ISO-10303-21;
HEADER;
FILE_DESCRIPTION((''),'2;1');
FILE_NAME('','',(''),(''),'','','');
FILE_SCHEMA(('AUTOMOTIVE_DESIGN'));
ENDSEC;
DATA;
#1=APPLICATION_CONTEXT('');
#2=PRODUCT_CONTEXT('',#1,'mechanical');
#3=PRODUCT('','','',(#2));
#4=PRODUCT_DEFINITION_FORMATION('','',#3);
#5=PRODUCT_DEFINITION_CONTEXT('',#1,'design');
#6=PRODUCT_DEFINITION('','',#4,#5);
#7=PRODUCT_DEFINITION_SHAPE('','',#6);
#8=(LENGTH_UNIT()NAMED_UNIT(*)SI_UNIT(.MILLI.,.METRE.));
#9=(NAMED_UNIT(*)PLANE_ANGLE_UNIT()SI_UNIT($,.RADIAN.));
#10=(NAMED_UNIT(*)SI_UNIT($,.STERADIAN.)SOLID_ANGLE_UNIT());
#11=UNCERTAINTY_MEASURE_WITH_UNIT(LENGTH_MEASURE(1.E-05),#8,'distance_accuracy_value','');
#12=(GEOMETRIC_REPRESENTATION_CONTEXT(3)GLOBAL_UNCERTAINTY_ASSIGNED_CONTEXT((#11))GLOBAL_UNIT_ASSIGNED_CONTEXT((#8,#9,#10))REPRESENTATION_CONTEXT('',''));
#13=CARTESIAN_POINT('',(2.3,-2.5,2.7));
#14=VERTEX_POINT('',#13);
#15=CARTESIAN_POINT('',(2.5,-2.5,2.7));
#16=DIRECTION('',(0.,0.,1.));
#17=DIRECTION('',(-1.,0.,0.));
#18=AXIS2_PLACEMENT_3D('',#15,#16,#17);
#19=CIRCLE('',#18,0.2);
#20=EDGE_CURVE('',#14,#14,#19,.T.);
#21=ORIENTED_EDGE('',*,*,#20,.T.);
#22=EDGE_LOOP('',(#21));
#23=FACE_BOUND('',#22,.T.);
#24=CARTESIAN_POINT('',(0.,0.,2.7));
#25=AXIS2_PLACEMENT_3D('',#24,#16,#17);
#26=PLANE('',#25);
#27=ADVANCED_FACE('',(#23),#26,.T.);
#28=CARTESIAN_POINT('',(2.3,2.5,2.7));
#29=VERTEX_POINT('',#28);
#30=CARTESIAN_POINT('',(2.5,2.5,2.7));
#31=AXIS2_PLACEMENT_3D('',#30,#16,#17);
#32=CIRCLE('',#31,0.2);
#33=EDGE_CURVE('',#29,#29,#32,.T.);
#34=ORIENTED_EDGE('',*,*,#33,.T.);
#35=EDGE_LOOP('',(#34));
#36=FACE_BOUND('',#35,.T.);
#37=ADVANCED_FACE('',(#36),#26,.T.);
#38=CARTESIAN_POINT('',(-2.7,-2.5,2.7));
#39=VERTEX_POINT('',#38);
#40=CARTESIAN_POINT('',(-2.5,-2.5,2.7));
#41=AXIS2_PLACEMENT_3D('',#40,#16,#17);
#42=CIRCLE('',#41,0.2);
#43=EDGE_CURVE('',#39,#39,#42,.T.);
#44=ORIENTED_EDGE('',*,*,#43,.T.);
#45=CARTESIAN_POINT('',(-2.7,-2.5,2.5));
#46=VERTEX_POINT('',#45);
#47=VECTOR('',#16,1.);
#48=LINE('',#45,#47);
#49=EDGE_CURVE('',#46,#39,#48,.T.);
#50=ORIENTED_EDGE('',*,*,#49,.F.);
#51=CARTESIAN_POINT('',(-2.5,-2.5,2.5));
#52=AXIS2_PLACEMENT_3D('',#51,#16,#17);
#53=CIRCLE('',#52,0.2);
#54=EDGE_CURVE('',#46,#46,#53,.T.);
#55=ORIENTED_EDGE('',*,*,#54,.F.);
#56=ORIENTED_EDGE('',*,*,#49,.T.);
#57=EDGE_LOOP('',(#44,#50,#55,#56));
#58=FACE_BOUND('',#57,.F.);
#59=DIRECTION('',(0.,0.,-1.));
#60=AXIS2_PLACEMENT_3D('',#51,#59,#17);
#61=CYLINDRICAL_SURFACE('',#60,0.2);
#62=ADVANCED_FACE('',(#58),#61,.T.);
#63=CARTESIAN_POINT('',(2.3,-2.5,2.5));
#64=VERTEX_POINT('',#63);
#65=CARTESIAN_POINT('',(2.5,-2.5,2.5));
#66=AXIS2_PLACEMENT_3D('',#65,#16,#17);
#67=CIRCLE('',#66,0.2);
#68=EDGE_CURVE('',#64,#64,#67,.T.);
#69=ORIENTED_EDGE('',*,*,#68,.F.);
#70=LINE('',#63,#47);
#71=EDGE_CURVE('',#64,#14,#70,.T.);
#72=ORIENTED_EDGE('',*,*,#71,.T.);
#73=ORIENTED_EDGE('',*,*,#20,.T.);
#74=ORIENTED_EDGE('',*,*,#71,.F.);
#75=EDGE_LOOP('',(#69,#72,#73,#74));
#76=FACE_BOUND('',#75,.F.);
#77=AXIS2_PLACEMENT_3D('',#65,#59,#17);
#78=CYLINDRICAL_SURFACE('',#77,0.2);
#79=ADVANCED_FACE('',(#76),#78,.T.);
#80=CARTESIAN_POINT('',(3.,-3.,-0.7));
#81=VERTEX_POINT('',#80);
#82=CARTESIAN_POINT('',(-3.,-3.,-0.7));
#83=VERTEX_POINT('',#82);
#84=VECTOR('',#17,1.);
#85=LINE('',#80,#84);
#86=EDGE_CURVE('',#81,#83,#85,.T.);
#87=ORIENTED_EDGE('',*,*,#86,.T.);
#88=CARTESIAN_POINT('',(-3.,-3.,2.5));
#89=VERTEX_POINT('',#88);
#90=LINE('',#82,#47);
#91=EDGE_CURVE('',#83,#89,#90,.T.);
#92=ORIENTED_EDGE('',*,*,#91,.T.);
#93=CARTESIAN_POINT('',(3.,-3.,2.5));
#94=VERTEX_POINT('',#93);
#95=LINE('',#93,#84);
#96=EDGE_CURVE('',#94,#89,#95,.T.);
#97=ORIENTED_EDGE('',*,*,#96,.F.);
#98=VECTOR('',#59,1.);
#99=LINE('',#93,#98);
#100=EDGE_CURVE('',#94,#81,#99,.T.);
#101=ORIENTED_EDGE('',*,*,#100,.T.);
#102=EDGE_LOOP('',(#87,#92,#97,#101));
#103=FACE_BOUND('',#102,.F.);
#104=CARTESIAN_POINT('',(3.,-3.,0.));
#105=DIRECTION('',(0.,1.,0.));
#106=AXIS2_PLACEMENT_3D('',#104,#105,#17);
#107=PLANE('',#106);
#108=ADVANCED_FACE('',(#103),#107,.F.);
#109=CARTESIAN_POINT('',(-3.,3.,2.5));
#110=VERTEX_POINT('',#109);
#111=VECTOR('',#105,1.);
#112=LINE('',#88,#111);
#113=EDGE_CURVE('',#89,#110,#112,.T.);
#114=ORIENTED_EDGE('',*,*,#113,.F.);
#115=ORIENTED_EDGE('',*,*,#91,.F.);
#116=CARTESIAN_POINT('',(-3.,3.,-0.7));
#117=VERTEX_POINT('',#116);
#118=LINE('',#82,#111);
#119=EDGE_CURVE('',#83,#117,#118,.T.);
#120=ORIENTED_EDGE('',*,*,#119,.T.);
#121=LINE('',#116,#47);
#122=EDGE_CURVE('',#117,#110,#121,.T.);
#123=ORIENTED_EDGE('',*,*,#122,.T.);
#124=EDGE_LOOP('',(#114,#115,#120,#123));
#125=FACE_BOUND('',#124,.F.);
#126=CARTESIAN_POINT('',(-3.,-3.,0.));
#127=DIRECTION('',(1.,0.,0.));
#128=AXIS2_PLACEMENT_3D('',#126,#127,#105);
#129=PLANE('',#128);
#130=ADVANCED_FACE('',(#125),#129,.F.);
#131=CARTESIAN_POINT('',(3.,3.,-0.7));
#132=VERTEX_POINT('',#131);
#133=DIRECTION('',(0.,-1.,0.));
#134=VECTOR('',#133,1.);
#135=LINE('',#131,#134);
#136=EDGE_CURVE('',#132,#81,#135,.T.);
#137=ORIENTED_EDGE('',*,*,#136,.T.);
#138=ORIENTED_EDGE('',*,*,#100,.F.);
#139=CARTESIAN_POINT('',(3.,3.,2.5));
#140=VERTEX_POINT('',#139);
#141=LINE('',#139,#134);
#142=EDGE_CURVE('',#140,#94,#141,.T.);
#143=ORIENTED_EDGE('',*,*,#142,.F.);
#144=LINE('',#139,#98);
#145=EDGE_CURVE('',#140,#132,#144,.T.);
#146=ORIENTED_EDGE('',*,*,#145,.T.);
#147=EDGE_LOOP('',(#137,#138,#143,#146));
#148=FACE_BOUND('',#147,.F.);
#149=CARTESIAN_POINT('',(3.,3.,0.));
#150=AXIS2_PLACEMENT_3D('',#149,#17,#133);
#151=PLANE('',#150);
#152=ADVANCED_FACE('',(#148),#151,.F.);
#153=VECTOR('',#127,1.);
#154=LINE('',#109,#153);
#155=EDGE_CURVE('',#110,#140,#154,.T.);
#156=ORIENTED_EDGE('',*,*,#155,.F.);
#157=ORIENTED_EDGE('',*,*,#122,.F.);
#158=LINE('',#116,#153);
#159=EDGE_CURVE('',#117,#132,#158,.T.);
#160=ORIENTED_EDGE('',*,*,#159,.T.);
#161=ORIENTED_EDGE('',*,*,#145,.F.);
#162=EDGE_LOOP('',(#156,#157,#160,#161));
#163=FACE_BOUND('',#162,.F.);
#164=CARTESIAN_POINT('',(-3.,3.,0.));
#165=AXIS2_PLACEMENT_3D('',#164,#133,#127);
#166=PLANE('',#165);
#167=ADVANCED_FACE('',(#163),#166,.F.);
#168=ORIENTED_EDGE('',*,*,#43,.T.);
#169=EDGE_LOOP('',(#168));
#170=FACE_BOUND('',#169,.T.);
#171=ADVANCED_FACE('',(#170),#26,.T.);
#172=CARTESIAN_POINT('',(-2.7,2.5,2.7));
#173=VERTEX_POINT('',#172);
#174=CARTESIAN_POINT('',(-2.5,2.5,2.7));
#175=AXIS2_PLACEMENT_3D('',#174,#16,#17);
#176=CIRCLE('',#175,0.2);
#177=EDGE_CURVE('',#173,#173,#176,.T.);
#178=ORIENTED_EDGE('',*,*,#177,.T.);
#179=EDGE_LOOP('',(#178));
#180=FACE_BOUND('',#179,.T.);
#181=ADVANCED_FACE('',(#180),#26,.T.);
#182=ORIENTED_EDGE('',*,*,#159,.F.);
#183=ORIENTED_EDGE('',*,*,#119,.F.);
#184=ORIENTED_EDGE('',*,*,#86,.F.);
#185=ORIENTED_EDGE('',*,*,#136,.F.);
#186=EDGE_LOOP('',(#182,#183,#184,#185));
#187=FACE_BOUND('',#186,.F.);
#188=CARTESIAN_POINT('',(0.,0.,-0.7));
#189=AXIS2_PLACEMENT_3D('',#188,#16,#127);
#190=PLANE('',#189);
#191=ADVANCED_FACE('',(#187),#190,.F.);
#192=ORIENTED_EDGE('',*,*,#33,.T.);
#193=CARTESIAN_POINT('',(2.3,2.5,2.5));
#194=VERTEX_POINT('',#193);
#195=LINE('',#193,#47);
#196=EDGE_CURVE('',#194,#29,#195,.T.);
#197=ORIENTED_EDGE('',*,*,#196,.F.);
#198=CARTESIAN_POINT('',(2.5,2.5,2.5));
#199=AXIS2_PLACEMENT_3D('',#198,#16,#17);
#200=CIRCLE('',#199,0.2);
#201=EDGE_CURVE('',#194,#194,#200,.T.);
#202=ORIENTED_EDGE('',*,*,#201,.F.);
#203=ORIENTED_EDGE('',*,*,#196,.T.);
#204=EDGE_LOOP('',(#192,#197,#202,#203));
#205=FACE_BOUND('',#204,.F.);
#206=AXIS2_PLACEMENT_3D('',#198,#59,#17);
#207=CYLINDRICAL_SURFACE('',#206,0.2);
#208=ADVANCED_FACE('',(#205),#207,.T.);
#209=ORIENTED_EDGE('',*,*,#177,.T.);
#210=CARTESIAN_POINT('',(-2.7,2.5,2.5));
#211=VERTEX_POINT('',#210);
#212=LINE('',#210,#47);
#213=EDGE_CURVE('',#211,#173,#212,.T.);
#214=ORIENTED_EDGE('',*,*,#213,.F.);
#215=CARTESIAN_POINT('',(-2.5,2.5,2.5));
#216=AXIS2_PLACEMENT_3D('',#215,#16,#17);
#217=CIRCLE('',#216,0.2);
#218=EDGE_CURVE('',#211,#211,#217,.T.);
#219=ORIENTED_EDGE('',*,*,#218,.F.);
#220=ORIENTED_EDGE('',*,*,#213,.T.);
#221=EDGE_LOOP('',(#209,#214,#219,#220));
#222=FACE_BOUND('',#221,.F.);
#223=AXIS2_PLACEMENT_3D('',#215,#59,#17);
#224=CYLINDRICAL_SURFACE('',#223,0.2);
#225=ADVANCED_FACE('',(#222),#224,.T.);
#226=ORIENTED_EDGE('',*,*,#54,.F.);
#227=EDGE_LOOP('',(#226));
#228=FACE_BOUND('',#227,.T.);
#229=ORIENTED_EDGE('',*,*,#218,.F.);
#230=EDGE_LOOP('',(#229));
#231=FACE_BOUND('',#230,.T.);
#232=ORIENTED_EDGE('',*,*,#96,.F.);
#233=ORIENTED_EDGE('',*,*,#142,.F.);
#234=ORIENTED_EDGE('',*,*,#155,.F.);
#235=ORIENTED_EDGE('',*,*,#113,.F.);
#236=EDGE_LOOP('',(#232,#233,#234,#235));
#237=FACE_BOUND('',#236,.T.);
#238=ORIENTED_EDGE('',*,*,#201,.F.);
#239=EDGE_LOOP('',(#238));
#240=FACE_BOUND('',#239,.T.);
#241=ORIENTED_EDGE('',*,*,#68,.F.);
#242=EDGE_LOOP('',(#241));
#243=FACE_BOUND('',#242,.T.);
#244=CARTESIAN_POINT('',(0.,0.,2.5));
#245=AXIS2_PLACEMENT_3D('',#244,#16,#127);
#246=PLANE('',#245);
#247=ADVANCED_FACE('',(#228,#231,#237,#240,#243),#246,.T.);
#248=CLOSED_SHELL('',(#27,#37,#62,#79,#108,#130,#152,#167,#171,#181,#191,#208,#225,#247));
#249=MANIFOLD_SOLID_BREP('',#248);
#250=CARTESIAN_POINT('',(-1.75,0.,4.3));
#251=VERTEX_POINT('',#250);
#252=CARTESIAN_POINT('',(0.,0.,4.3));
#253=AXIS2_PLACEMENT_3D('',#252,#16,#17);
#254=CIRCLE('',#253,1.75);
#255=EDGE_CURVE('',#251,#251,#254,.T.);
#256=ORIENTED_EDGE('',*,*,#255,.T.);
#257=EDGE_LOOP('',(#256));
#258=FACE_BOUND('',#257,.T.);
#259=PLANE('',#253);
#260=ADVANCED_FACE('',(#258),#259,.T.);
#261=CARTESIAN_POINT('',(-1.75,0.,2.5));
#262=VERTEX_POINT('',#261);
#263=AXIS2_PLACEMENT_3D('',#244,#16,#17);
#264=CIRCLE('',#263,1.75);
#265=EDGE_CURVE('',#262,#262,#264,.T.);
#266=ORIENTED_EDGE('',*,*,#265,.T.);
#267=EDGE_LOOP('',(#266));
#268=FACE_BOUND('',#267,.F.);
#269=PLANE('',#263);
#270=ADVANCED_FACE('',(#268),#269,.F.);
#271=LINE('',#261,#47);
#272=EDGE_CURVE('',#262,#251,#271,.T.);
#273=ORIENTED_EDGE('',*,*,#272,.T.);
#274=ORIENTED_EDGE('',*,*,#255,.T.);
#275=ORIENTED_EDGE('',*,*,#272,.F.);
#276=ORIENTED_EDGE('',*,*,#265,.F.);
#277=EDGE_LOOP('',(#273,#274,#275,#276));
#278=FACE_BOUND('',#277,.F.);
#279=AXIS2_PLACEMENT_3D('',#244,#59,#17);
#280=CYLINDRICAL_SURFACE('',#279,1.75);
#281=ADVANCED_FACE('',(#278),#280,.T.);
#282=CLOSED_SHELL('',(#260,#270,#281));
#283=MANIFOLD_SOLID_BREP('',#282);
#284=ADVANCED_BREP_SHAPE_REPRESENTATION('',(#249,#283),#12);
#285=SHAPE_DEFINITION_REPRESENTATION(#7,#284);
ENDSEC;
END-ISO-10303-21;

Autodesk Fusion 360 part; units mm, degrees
sketch "Sketch1" plane through (0, 0, 0) normal (0, 0, 1) x (1, 0, 0)
  line L0 (-3, 3) -> (3, 3)
  line L1 (3, 3) -> (3, -3)
  line L2 (3, -3) -> (-3, -3)
  line L3 (-3, -3) -> (-3, 3)
  dimension "d1" = 6
  dimension "d2" = 6
  dimension "d3" = 3
  dimension "d4" = 3
extrude "Extrude1" add sketch "Sketch1" along normal blind 2.5 makes body 1
sketch "Sketch2" plane through (0, 0, 2.5) normal (0, 0, 1) x (-1, 0, 0)
  line L0 (3, 3) -> (-3, 3)
  line L1 (-3, 3) -> (-3, -3)
  line L2 (-3, -3) -> (3, -3)
  line L3 (3, -3) -> (3, 3)
  circle A0 centre (0, 0) radius 1.75
  circle A1 centre (2.5, -2.5) radius 0.2
  circle A2 centre (2.5, 2.5) radius 0.2
  circle A3 centre (-2.5, 2.5) radius 0.2
  circle A4 centre (-2.5, -2.5) radius 0.2
  dimension "d7" = 3.5
  dimension "d8" = 0.4
  dimension "d9" = 0.4
  dimension "d10" = 0.4
  dimension "d11" = 0.4
extrude "Extrude2" add sketch "Sketch2" along normal blind 0.4 contours A1 | A2 | A3 | A4 bodies 1
extrude "Extrude3" add sketch "Sketch2" along normal blind 1.8 contours A0 bodies 1
extrude "Extrude4" add 1 faces at (-1, -1, 0) along direction (0, 0, -1) blind 0.7 on bodies 1 bodies 1
extrude "Extrude5" cut 4 faces at (2.5659, -2.6006, 2.9) (2.5659, 2.3994, 2.9) (-2.4341, 2.3994, 2.9) (-2.4341, -2.6006, 2.9) along direction (0, 0, -1) blind 0.2 on bodies 1 bodies 1
delete_face "DeleteFace1" 2 faces at (0.482, -0.4649, 4.3) (-1.7478, 0.0872, 3.7) on bodies 1
extrude "Extrude6" add sketch "Sketch2" along normal blind 1.8 separate body contours A0 makes body 2
